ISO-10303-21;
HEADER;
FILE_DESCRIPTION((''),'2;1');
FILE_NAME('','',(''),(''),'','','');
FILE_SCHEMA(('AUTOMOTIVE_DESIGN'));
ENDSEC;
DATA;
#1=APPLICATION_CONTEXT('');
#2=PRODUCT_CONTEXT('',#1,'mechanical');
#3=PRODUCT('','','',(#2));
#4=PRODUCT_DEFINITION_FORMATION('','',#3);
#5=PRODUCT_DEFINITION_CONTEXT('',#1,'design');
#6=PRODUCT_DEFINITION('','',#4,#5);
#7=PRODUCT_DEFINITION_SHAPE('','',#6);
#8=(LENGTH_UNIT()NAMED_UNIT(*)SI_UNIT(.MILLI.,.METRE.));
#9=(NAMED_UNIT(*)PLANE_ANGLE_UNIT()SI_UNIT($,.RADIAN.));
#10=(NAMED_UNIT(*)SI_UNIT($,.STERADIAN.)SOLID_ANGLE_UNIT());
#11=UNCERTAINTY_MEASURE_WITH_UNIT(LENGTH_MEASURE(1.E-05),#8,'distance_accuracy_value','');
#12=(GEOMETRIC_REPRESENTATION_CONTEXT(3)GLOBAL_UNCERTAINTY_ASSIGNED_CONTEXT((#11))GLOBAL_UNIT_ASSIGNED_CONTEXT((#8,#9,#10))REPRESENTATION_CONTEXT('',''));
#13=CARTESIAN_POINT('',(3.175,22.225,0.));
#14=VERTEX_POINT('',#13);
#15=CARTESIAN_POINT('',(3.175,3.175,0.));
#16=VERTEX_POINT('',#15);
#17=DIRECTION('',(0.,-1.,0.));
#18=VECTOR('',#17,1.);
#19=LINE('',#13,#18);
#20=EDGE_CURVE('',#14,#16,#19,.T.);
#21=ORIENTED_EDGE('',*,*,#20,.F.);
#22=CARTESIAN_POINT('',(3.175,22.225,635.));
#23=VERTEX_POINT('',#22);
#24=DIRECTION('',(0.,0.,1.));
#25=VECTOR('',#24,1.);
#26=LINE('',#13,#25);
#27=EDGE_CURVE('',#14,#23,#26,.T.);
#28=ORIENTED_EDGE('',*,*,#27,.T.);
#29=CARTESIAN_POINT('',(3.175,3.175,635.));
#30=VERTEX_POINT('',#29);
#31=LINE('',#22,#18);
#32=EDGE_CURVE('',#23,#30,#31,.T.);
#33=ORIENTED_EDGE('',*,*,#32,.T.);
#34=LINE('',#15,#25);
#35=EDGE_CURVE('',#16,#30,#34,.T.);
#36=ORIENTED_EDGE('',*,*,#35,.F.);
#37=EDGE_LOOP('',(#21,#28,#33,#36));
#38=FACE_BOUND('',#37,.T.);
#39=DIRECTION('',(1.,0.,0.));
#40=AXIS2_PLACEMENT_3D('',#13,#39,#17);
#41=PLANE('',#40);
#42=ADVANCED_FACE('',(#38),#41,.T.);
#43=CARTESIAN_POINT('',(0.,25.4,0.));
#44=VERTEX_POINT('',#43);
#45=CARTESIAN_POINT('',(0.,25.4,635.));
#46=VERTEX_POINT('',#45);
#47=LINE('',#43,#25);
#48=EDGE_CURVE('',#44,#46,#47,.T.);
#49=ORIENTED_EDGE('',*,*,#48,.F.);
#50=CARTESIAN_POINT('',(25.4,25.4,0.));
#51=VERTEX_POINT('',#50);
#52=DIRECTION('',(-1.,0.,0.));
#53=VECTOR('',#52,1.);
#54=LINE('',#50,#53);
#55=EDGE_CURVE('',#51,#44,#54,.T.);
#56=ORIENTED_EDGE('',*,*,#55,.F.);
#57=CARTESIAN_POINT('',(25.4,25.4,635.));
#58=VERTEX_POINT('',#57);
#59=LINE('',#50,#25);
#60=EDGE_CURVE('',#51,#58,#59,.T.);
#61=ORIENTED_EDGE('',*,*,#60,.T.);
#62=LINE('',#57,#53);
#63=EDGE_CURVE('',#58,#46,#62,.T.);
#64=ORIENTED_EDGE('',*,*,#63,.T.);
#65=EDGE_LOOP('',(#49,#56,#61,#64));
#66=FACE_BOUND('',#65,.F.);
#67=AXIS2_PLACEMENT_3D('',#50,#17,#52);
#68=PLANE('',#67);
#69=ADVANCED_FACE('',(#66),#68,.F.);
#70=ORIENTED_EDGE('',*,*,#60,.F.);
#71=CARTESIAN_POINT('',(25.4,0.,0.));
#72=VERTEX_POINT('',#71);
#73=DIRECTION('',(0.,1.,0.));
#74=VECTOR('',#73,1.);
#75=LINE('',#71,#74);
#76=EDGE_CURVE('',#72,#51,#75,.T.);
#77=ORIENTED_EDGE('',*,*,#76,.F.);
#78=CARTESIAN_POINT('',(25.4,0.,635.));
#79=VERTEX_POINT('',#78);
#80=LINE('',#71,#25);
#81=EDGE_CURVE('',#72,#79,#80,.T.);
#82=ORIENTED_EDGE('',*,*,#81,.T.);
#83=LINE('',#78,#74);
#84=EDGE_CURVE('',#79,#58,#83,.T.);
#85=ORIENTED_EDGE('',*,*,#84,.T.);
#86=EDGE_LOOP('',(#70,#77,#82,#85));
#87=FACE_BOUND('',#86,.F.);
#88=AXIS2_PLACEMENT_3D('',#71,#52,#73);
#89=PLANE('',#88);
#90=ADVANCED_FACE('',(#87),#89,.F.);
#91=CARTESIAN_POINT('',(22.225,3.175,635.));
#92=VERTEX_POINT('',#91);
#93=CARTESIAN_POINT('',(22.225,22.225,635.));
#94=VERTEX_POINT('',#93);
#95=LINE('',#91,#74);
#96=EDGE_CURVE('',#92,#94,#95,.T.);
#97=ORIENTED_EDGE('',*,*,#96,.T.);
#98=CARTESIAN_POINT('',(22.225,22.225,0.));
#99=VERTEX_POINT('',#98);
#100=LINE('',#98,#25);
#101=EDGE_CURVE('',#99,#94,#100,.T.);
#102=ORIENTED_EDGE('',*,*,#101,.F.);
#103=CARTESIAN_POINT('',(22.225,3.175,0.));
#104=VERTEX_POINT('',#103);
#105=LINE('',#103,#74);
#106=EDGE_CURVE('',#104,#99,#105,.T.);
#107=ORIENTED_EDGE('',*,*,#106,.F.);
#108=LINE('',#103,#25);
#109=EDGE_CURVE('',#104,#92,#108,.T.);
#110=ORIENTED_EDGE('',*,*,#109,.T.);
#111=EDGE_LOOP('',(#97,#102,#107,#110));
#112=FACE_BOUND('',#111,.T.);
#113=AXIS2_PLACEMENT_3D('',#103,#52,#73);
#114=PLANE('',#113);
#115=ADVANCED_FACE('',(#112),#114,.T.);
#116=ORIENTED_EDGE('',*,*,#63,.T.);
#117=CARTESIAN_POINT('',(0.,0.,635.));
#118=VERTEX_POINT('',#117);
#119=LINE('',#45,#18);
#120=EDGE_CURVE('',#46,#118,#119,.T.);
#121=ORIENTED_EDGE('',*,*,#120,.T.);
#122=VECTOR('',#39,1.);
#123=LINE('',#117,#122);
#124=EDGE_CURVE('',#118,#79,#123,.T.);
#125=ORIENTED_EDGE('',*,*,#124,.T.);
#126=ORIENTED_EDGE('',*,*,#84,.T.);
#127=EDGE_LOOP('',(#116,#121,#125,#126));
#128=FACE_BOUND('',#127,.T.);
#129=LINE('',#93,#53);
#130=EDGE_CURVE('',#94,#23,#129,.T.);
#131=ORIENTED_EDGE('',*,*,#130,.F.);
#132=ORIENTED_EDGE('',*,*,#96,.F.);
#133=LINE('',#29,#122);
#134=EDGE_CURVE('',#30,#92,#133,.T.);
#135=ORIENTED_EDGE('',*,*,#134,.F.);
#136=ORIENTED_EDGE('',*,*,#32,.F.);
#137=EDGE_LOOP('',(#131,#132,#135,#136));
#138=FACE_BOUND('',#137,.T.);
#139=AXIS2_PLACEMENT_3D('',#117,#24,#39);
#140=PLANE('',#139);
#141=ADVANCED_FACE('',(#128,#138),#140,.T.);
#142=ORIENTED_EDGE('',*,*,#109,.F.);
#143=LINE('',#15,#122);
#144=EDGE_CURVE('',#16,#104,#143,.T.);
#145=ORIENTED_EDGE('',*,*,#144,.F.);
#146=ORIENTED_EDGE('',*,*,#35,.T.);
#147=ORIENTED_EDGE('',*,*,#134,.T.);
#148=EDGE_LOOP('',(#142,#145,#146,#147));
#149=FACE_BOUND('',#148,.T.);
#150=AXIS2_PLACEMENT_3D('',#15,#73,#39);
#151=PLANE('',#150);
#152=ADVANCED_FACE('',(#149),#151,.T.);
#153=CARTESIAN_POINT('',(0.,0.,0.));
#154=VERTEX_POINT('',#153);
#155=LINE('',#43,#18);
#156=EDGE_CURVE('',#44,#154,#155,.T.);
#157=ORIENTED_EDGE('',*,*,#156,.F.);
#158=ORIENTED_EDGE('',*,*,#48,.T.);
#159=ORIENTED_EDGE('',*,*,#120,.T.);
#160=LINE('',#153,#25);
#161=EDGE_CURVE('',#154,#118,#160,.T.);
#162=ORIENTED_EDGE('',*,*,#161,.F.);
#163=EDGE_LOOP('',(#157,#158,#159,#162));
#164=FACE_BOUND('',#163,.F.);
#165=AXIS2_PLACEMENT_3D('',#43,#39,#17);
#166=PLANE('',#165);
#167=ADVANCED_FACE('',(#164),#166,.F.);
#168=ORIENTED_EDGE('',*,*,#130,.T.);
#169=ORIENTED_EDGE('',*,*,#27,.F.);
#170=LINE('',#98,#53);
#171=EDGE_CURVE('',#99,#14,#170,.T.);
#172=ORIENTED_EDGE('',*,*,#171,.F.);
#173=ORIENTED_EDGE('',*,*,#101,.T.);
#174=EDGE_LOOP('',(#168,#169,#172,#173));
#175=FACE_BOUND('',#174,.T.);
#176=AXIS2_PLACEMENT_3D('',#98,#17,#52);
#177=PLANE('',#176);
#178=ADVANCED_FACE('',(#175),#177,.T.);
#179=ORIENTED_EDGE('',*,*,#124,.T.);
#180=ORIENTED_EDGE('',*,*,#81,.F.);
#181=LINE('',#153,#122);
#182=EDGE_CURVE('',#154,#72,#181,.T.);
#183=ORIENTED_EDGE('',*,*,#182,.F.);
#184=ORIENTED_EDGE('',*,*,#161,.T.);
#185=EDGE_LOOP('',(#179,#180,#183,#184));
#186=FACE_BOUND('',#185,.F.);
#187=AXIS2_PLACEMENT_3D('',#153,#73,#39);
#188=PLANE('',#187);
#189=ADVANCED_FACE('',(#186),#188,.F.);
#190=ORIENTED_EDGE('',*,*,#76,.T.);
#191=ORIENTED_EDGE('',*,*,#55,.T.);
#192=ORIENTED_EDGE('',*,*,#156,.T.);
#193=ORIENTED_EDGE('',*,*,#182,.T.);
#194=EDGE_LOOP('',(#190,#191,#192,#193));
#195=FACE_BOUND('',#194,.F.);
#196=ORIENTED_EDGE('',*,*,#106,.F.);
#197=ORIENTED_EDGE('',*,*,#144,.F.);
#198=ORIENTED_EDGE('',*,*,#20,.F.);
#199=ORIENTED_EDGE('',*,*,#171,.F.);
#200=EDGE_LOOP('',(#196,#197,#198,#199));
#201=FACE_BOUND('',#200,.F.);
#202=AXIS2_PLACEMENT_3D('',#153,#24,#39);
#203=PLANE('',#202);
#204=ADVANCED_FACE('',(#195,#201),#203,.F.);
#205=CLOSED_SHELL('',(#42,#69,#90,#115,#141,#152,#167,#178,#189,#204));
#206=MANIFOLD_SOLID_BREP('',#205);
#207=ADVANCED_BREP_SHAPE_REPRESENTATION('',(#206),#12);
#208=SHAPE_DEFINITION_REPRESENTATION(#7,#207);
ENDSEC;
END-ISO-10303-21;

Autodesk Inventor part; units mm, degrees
ref_plane "YZ Plane" through (0, 0, 0) normal (1, 0, 0) x (0, 1, 0)
ref_plane "XZ Plane" through (0, 0, 0) normal (0, 1, 0) x (-1, 0, 0)
ref_plane "XY Plane" through (0, 0, 0) normal (0, 0, 1) x (1, 0, 0)
sketch "Sketch1" plane through (0, 0, 0) normal (0, 0, 1) x (1, 0, 0)
  line L0 (0, 0) -> (25.4, 0)
  line L1 (25.4, 0) -> (25.4, 25.4)
  line L2 (25.4, 25.4) -> (0, 25.4)
  line L3 (0, 25.4) -> (0, 0)
  line L4 (3.175, 3.175) -> (22.225, 3.175)
  line L5 (22.225, 3.175) -> (22.225, 22.225)
  line L6 (22.225, 22.225) -> (3.175, 22.225)
  line L7 (3.175, 22.225) -> (3.175, 3.175)
  dimension "d0" = 25.4
  dimension "d1" = 25.4
  dimension "d2" = 19.05
  dimension "d3" = 19.05
  dimension "d4" = 3.175
  dimension "d5" = 3.175
extrude "Extrusion1" add sketch "Sketch1" along normal blind 635
properties part number "Front Support"
